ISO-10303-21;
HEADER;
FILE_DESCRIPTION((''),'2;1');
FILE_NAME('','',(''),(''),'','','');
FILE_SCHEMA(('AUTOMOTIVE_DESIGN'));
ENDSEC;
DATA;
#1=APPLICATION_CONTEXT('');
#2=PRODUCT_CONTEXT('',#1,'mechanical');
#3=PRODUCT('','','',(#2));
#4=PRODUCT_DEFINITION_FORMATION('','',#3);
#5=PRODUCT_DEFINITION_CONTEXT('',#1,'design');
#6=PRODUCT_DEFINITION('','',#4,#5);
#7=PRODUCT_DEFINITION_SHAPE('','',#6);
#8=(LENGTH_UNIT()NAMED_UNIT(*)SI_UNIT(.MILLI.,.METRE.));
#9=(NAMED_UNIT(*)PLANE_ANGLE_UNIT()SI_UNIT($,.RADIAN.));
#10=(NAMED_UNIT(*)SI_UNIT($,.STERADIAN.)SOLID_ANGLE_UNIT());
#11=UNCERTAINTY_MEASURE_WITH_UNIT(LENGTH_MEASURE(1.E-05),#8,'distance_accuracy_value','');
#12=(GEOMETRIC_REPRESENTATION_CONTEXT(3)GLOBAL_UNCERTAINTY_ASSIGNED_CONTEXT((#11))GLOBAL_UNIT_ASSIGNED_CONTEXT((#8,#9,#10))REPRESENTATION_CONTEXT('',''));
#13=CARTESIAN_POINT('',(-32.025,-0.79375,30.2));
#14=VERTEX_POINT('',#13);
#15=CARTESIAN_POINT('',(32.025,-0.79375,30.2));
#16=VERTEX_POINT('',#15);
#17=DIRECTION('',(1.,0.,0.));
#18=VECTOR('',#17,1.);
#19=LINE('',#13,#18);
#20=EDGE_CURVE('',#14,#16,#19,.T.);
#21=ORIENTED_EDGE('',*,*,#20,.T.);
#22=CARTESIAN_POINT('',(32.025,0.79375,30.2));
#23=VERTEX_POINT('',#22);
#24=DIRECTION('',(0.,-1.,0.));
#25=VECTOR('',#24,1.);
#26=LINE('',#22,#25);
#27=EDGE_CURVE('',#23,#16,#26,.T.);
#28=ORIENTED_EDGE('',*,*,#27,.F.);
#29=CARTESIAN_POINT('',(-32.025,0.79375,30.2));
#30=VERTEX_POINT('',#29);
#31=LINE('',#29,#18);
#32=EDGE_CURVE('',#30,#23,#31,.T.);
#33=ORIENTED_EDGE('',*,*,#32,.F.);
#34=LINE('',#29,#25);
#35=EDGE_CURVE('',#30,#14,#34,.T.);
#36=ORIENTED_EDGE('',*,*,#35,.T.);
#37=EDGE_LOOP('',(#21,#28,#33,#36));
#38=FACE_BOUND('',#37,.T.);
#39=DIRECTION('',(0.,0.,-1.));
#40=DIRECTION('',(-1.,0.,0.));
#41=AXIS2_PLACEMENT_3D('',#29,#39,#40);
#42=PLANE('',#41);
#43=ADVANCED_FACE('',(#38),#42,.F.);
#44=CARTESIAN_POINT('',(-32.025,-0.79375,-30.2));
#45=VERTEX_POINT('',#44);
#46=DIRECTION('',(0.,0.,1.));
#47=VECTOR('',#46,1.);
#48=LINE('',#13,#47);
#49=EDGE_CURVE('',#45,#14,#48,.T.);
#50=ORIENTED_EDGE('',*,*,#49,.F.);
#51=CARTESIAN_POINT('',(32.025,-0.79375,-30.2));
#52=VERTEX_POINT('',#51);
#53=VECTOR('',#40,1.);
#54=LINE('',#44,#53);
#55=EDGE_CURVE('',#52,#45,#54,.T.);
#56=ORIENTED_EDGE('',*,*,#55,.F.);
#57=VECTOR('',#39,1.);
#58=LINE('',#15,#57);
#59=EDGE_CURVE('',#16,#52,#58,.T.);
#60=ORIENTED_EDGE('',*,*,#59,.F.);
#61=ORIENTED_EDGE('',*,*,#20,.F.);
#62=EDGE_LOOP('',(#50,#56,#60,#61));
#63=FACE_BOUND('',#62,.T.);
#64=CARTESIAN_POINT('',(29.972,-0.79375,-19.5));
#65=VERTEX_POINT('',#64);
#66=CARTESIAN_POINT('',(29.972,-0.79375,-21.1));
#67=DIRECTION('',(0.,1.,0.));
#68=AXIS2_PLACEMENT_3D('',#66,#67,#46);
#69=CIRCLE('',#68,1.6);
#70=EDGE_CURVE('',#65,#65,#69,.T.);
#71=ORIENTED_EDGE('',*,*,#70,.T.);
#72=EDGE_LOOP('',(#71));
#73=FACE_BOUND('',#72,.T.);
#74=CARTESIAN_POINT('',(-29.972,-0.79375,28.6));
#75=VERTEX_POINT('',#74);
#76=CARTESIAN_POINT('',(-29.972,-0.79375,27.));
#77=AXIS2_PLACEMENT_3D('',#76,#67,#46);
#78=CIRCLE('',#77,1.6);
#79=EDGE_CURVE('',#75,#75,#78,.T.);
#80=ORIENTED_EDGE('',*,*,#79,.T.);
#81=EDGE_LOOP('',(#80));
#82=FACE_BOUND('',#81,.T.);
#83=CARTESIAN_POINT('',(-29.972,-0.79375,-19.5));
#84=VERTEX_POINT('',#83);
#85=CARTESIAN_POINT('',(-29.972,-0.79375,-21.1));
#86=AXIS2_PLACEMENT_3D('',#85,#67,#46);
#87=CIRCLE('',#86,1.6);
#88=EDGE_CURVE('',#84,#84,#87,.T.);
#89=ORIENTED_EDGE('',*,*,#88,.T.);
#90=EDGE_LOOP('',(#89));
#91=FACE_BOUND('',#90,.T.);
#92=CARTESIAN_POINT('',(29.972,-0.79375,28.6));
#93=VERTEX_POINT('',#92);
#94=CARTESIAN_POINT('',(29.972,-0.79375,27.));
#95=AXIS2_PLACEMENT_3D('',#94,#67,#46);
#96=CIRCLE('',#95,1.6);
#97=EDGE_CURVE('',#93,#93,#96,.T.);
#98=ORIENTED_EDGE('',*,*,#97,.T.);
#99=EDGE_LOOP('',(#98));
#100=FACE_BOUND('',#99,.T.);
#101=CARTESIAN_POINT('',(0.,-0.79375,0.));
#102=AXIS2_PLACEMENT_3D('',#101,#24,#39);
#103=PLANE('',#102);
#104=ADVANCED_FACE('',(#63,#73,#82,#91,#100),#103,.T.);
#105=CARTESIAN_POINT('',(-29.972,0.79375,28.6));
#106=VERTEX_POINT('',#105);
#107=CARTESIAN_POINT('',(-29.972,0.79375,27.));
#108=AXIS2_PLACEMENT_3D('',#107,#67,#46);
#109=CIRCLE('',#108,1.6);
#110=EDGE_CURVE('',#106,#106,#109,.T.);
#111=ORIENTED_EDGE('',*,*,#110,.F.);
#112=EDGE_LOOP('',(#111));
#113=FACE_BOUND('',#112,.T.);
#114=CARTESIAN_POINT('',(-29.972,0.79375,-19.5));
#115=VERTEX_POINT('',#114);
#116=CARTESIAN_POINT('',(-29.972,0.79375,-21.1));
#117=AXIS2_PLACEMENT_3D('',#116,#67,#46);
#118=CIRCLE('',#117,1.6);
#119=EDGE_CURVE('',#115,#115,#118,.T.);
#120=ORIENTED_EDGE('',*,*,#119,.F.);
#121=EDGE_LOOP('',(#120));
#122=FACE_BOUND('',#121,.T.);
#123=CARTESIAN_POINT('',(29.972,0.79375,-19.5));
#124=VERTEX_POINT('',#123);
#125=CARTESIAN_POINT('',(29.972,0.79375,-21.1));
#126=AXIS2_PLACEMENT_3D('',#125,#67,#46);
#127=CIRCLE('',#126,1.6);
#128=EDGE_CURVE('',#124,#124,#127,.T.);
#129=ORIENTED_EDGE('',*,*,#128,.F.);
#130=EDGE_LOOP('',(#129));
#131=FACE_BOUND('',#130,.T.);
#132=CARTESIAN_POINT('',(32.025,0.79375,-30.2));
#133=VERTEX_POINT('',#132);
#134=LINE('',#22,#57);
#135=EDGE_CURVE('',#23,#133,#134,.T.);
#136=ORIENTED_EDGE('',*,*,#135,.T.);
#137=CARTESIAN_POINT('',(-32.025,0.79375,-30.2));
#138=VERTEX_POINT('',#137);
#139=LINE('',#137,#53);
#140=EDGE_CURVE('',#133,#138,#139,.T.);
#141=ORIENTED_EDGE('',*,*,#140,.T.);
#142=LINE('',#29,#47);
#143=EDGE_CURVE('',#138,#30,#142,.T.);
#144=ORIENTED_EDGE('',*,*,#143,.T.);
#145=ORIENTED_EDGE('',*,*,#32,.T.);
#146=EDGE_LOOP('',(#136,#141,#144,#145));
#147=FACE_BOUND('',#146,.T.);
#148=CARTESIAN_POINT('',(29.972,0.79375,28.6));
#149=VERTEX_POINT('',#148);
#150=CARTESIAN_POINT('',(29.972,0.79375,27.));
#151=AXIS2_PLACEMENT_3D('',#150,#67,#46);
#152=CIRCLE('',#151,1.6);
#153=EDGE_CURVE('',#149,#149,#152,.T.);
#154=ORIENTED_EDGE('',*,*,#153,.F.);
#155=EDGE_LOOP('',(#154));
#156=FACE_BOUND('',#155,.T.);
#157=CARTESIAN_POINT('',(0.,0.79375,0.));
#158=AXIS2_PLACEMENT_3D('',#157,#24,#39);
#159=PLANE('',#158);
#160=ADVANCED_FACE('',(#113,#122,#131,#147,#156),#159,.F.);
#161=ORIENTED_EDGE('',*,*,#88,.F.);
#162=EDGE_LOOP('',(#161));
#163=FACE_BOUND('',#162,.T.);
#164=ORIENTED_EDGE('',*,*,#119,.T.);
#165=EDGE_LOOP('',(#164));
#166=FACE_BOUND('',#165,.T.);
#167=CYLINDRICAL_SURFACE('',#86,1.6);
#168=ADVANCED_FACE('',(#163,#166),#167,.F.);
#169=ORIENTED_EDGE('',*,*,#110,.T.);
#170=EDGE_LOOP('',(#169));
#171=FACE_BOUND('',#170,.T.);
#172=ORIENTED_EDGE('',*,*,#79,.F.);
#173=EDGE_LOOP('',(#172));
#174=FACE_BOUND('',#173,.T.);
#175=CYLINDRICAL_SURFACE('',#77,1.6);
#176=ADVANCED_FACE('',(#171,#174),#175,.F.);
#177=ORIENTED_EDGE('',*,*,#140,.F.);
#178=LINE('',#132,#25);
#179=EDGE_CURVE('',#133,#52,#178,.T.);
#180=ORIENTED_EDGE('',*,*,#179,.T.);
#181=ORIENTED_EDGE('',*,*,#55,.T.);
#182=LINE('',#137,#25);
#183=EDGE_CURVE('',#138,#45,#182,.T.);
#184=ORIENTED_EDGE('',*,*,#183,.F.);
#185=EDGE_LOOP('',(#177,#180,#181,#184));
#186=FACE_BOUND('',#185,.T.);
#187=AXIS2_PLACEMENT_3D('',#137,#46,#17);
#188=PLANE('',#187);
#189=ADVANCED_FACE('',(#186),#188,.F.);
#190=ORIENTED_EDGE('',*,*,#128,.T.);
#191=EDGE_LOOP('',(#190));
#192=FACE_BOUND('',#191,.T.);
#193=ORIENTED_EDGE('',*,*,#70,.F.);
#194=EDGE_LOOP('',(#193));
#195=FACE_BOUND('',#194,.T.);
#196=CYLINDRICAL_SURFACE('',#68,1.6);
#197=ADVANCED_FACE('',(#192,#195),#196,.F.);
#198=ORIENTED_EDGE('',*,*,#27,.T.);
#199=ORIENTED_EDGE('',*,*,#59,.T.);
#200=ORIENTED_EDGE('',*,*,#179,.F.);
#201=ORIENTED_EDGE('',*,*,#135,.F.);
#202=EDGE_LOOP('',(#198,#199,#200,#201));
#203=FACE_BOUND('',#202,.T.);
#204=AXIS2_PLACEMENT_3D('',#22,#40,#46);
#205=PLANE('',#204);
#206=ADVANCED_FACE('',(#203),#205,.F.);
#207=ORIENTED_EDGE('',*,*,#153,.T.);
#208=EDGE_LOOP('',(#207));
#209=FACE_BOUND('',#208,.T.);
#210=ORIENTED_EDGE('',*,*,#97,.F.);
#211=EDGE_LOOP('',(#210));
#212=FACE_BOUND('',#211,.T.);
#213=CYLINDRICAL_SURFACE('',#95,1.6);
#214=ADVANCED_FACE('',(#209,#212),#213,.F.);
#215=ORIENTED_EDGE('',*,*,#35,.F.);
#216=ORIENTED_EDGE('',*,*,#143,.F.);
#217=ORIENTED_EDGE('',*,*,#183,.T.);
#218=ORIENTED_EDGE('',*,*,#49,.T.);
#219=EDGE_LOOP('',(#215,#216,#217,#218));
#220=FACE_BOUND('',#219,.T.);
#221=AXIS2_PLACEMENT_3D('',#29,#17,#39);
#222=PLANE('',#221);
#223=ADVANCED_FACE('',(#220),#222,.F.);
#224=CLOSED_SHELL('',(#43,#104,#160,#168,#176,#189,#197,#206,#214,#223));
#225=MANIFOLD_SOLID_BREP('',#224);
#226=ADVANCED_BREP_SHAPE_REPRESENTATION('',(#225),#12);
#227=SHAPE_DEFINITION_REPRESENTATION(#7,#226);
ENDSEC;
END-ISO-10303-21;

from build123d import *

# Parameters (mm, degrees)
SKETCH2_W               = 64.049999916
SKETCH2_H               = 60.400000104
BOSS_EXTRUDE1_DEPTH     = 0.79375
SKETCH3_R               = 1.599999975
CUT_EXTRUDE1_DEPTH      = 1.79375
CUT_EXTRUDE1_DEPTH_BACK = 1.79375


with BuildPart() as part:
    # Sketch2 → Boss-Extrude1 (new body, symmetric)
    with BuildSketch(Plane(origin=(0, 0, 0), x_dir=(1, 0, 0), z_dir=(0, 1, 0))):
        Rectangle(SKETCH2_W, SKETCH2_H)
    extrude(amount=BOSS_EXTRUDE1_DEPTH, both=True)

    # Sketch3 → Cut-Extrude1 (cut, two sides)
    with BuildSketch(Plane(origin=(0, 0, 0), x_dir=(1, 0, 0), z_dir=(0, 1, 0))) as cut_extrude1_sk:
        with Locations((-29.972, 21.099999964)):
            Circle(SKETCH3_R)
        with Locations((29.972, 21.099999964)):
            Circle(SKETCH3_R)
        with Locations((29.972, -27.000000102)):
            Circle(SKETCH3_R)
        with Locations((-29.972, -27.000000102)):
            Circle(SKETCH3_R)
    extrude(amount=CUT_EXTRUDE1_DEPTH, mode=Mode.SUBTRACT)
    extrude(cut_extrude1_sk.sketch, amount=-CUT_EXTRUDE1_DEPTH_BACK, mode=Mode.SUBTRACT)


solid = part.part
